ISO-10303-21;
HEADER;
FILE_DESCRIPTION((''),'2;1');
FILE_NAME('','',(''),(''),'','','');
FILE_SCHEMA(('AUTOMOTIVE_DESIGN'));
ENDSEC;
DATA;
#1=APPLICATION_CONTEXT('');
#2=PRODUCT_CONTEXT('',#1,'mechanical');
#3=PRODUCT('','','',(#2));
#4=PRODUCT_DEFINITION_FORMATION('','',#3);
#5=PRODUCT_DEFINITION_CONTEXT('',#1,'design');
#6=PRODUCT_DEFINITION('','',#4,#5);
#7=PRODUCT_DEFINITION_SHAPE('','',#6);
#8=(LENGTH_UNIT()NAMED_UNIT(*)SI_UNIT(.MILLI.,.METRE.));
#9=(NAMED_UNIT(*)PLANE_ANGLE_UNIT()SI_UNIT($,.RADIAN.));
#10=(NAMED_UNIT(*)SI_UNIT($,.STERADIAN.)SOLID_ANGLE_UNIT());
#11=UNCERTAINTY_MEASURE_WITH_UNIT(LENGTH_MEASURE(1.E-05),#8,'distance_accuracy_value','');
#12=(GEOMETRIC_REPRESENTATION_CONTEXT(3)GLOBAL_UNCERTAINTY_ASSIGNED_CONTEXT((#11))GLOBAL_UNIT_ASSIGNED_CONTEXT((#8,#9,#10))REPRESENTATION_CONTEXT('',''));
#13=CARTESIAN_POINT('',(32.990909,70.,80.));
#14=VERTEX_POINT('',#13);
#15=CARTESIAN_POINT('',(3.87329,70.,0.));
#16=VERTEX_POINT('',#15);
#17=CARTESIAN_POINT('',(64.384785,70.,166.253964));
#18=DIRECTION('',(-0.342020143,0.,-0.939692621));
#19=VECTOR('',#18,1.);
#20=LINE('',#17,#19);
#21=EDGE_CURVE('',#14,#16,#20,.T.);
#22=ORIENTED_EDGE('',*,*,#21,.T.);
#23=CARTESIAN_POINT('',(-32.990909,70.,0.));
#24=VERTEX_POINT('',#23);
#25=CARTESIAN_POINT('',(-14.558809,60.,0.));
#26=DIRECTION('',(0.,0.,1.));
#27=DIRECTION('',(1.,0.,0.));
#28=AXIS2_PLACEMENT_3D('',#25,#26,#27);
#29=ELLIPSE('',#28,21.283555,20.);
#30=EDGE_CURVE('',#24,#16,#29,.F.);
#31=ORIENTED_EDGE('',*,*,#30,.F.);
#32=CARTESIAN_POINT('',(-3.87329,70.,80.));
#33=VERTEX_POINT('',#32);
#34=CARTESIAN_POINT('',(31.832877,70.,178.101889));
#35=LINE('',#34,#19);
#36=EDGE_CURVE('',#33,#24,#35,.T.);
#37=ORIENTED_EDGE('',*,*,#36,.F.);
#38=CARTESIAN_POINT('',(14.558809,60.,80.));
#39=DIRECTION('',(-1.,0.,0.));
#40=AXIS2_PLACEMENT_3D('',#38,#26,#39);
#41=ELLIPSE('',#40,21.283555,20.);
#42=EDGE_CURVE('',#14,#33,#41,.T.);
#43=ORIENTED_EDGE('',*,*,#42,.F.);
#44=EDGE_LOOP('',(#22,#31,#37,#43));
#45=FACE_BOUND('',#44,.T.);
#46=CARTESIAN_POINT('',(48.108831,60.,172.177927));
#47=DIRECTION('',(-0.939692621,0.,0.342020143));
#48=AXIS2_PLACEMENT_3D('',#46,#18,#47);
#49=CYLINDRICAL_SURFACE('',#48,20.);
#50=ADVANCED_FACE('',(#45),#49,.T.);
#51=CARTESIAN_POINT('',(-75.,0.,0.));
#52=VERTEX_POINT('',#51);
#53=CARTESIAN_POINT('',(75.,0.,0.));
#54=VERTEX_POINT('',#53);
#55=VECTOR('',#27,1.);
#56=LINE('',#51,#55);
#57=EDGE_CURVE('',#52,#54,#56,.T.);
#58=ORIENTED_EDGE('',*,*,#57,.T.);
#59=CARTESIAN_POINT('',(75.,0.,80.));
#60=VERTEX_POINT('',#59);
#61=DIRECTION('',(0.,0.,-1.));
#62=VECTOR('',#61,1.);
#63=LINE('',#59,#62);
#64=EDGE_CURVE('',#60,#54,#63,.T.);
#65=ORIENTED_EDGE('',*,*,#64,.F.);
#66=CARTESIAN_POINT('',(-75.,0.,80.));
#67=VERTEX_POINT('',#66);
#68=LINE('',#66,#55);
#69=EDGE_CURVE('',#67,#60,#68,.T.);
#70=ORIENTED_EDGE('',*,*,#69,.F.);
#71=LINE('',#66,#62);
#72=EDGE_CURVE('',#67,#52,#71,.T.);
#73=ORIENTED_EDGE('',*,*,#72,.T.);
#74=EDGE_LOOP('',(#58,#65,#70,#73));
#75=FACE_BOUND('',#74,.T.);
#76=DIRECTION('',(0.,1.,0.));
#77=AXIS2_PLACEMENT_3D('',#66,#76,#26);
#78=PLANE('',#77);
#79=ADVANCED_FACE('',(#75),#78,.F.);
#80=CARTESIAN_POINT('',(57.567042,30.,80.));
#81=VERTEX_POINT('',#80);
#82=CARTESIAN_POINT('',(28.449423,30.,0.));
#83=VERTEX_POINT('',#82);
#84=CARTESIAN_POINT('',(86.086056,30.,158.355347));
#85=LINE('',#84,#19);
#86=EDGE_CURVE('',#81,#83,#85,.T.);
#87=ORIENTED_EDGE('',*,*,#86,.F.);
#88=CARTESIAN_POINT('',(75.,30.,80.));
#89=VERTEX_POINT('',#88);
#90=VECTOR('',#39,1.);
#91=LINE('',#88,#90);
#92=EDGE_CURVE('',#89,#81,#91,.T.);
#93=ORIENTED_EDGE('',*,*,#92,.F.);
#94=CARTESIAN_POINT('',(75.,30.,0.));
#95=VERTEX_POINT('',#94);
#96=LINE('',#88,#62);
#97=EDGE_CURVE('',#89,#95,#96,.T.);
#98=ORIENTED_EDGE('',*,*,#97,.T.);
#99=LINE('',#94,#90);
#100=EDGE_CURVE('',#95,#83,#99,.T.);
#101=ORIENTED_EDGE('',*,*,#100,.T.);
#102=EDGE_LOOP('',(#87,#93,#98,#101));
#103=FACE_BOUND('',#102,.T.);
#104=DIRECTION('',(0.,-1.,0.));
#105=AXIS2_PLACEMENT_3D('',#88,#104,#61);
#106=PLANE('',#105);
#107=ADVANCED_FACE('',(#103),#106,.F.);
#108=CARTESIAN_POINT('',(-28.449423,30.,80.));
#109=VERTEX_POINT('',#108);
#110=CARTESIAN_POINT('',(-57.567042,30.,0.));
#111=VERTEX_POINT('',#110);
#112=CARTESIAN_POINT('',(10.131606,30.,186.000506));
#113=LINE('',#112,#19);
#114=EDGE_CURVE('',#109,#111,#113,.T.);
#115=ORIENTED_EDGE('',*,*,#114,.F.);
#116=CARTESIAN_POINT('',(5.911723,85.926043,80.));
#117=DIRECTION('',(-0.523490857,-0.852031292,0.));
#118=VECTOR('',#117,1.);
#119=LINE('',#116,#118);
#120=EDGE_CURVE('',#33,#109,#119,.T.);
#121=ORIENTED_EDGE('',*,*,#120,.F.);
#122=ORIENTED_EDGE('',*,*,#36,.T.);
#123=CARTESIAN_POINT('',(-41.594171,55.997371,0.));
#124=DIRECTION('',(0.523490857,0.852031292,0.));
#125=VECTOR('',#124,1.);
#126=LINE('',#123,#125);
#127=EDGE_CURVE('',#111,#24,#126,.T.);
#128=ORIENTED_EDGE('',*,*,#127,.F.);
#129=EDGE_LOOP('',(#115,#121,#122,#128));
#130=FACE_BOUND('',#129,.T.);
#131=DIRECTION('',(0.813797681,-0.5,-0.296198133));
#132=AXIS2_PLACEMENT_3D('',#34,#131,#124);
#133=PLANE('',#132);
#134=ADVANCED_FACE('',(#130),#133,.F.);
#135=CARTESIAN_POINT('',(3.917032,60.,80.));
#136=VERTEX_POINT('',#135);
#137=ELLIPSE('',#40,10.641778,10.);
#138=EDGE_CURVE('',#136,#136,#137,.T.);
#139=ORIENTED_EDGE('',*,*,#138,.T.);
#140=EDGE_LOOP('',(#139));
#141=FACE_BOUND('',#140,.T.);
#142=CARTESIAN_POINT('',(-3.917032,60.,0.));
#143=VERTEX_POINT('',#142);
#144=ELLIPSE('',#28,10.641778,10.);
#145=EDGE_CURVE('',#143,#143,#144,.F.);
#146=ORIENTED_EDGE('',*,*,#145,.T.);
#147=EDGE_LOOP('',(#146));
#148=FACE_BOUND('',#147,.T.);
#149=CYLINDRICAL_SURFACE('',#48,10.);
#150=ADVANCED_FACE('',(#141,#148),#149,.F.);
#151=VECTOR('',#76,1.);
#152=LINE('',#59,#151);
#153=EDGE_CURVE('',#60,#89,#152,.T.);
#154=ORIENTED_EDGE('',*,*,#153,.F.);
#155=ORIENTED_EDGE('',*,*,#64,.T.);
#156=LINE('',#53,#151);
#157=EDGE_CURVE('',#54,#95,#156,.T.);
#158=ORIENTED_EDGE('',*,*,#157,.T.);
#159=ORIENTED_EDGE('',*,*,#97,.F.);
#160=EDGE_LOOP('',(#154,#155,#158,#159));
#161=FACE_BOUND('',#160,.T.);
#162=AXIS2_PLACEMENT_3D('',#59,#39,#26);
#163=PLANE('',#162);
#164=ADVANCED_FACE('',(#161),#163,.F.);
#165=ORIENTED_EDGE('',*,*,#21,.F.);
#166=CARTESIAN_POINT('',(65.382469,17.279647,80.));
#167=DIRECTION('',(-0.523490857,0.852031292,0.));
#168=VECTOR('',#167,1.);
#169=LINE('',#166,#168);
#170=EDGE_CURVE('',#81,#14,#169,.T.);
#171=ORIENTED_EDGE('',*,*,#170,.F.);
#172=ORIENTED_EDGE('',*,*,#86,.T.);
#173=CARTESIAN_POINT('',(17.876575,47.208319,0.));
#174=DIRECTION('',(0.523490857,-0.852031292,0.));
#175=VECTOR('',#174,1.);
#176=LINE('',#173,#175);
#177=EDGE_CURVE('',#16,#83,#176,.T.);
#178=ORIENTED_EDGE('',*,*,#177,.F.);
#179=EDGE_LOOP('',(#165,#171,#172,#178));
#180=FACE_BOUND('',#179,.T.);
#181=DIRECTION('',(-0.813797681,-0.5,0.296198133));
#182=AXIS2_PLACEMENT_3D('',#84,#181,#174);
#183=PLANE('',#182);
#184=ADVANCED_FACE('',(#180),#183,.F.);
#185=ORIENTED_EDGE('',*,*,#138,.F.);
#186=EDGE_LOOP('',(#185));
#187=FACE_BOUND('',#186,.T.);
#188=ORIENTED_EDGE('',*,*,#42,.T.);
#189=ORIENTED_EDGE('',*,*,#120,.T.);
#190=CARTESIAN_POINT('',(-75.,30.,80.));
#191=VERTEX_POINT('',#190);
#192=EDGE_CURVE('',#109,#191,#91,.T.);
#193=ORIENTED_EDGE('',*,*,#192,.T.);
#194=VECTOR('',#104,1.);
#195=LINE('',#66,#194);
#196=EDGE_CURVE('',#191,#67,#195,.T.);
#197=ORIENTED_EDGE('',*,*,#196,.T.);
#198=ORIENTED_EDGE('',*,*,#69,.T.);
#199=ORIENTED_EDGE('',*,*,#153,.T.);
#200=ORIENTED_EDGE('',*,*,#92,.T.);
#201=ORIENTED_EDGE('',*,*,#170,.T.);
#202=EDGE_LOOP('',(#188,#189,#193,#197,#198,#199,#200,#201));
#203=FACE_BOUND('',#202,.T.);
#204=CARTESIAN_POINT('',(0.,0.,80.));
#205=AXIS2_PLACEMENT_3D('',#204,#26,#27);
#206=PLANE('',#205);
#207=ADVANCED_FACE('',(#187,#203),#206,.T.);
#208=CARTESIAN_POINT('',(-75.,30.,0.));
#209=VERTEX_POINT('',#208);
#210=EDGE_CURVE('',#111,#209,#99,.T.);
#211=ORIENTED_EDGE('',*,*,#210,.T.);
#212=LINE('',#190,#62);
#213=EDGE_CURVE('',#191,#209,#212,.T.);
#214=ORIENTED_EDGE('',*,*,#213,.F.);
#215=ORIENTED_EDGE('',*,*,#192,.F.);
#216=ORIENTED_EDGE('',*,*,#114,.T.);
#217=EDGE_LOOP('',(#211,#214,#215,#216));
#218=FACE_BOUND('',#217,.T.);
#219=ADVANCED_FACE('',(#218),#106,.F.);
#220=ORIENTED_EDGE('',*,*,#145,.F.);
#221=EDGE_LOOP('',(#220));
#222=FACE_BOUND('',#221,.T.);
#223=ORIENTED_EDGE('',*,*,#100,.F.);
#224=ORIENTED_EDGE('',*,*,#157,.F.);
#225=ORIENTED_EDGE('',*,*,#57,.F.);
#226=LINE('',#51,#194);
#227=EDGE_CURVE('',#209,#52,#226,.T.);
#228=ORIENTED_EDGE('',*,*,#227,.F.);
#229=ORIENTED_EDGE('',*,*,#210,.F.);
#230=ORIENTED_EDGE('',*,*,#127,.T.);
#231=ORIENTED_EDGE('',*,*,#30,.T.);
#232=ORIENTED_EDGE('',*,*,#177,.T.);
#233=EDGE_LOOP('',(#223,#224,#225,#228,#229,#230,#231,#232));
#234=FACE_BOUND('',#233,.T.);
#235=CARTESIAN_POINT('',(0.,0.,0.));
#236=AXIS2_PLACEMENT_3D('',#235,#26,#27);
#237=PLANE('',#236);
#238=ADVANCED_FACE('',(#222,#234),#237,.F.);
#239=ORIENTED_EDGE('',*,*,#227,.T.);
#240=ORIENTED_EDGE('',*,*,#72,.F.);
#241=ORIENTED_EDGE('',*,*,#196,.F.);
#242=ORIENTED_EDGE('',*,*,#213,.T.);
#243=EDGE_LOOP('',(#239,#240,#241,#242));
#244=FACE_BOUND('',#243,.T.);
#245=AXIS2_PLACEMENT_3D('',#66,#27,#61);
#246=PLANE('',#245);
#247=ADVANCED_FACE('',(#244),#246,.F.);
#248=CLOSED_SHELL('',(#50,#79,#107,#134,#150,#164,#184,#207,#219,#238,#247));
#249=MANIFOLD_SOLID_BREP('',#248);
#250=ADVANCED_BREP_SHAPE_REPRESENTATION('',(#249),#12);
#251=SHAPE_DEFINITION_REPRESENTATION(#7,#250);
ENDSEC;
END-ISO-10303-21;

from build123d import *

# Parameters (mm, degrees)
SKETCH1_W                       = 150
SKETCH1_H                       = 30
BOSS_EXTRUDE1_DEPTH             = 80
BOSS_EXTRUDE4_REACH             = 65.239
SKETCH3_R                       = 10
BOSS_EXTRUDE4_DIRECTION_2_REACH = 65.239


with BuildPart() as part:
    # Sketch1 → Boss-Extrude1 (new body)
    with BuildSketch(Plane.XY):
        with Locations((0, 15)):
            Rectangle(SKETCH1_W, SKETCH1_H)
    extrude(amount=BOSS_EXTRUDE1_DEPTH)

    # Boss-Extrude4: up to this face of the body (flat: up to its plane)
    boss_extrude4_end = Plane(part.part.faces().sort_by_distance((0, 15, 80))[0])
    # Sketch3 → Boss-Extrude4 (add, up to the picked face)
    with BuildSketch(Plane(origin=(12.855752194, 0, 35.320888862), x_dir=(0, 1, 0), z_dir=(0.342020143, 0, 0.939692621)), mode=Mode.PRIVATE) as boss_extrude4_sk1:
        with BuildLine():
            Line((30, -26.73371311), (70, -3.639702343))
            ThreePointArc((70, -3.639702343), (80, 13.680805733), (70, 31.001313809))
            Line((70, 31.001313809), (30, 54.095324576))
            Line((30, 54.095324576), (30, -26.73371311))
        make_face()
        with Locations((60, 13.680805733)):
            Circle(SKETCH3_R, mode=Mode.SUBTRACT)
    boss_extrude4_tool1 = split(extrude(boss_extrude4_sk1.sketch, amount=BOSS_EXTRUDE4_REACH, mode=Mode.PRIVATE), bisect_by=boss_extrude4_end, keep=Keep.BOTH, mode=Mode.PRIVATE)
    add(boss_extrude4_tool1.solids().sort_by_distance((0, 48.492065, 40))[0])

    # Boss-Extrude4 direction 2: up to this face of the body (flat: up to its plane)
    boss_extrude4_direction_2_end = Plane(part.part.faces().sort_by_distance((0, 15, 0))[0])
    # Sketch3 → Boss-Extrude4 direction 2 (add, up to the picked face)
    with BuildSketch(Plane(origin=(12.855752194, 0, 35.320888862), x_dir=(0, 1, 0), z_dir=(0.342020143, 0, 0.939692621)), mode=Mode.PRIVATE) as boss_extrude4_direction_2_sk1:
        with BuildLine():
            Line((30, -26.73371311), (70, -3.639702343))
            ThreePointArc((70, -3.639702343), (80, 13.680805733), (70, 31.001313809))
            Line((70, 31.001313809), (30, 54.095324576))
            Line((30, 54.095324576), (30, -26.73371311))
        make_face()
        with Locations((60, 13.680805733)):
            Circle(SKETCH3_R, mode=Mode.SUBTRACT)
    boss_extrude4_direction_2_tool1 = split(extrude(boss_extrude4_direction_2_sk1.sketch, amount=-BOSS_EXTRUDE4_DIRECTION_2_REACH, mode=Mode.PRIVATE), bisect_by=boss_extrude4_direction_2_end, keep=Keep.BOTH, mode=Mode.PRIVATE)
    add(boss_extrude4_direction_2_tool1.solids().sort_by_distance((0, 48.492065, 40))[0])


solid = part.part
